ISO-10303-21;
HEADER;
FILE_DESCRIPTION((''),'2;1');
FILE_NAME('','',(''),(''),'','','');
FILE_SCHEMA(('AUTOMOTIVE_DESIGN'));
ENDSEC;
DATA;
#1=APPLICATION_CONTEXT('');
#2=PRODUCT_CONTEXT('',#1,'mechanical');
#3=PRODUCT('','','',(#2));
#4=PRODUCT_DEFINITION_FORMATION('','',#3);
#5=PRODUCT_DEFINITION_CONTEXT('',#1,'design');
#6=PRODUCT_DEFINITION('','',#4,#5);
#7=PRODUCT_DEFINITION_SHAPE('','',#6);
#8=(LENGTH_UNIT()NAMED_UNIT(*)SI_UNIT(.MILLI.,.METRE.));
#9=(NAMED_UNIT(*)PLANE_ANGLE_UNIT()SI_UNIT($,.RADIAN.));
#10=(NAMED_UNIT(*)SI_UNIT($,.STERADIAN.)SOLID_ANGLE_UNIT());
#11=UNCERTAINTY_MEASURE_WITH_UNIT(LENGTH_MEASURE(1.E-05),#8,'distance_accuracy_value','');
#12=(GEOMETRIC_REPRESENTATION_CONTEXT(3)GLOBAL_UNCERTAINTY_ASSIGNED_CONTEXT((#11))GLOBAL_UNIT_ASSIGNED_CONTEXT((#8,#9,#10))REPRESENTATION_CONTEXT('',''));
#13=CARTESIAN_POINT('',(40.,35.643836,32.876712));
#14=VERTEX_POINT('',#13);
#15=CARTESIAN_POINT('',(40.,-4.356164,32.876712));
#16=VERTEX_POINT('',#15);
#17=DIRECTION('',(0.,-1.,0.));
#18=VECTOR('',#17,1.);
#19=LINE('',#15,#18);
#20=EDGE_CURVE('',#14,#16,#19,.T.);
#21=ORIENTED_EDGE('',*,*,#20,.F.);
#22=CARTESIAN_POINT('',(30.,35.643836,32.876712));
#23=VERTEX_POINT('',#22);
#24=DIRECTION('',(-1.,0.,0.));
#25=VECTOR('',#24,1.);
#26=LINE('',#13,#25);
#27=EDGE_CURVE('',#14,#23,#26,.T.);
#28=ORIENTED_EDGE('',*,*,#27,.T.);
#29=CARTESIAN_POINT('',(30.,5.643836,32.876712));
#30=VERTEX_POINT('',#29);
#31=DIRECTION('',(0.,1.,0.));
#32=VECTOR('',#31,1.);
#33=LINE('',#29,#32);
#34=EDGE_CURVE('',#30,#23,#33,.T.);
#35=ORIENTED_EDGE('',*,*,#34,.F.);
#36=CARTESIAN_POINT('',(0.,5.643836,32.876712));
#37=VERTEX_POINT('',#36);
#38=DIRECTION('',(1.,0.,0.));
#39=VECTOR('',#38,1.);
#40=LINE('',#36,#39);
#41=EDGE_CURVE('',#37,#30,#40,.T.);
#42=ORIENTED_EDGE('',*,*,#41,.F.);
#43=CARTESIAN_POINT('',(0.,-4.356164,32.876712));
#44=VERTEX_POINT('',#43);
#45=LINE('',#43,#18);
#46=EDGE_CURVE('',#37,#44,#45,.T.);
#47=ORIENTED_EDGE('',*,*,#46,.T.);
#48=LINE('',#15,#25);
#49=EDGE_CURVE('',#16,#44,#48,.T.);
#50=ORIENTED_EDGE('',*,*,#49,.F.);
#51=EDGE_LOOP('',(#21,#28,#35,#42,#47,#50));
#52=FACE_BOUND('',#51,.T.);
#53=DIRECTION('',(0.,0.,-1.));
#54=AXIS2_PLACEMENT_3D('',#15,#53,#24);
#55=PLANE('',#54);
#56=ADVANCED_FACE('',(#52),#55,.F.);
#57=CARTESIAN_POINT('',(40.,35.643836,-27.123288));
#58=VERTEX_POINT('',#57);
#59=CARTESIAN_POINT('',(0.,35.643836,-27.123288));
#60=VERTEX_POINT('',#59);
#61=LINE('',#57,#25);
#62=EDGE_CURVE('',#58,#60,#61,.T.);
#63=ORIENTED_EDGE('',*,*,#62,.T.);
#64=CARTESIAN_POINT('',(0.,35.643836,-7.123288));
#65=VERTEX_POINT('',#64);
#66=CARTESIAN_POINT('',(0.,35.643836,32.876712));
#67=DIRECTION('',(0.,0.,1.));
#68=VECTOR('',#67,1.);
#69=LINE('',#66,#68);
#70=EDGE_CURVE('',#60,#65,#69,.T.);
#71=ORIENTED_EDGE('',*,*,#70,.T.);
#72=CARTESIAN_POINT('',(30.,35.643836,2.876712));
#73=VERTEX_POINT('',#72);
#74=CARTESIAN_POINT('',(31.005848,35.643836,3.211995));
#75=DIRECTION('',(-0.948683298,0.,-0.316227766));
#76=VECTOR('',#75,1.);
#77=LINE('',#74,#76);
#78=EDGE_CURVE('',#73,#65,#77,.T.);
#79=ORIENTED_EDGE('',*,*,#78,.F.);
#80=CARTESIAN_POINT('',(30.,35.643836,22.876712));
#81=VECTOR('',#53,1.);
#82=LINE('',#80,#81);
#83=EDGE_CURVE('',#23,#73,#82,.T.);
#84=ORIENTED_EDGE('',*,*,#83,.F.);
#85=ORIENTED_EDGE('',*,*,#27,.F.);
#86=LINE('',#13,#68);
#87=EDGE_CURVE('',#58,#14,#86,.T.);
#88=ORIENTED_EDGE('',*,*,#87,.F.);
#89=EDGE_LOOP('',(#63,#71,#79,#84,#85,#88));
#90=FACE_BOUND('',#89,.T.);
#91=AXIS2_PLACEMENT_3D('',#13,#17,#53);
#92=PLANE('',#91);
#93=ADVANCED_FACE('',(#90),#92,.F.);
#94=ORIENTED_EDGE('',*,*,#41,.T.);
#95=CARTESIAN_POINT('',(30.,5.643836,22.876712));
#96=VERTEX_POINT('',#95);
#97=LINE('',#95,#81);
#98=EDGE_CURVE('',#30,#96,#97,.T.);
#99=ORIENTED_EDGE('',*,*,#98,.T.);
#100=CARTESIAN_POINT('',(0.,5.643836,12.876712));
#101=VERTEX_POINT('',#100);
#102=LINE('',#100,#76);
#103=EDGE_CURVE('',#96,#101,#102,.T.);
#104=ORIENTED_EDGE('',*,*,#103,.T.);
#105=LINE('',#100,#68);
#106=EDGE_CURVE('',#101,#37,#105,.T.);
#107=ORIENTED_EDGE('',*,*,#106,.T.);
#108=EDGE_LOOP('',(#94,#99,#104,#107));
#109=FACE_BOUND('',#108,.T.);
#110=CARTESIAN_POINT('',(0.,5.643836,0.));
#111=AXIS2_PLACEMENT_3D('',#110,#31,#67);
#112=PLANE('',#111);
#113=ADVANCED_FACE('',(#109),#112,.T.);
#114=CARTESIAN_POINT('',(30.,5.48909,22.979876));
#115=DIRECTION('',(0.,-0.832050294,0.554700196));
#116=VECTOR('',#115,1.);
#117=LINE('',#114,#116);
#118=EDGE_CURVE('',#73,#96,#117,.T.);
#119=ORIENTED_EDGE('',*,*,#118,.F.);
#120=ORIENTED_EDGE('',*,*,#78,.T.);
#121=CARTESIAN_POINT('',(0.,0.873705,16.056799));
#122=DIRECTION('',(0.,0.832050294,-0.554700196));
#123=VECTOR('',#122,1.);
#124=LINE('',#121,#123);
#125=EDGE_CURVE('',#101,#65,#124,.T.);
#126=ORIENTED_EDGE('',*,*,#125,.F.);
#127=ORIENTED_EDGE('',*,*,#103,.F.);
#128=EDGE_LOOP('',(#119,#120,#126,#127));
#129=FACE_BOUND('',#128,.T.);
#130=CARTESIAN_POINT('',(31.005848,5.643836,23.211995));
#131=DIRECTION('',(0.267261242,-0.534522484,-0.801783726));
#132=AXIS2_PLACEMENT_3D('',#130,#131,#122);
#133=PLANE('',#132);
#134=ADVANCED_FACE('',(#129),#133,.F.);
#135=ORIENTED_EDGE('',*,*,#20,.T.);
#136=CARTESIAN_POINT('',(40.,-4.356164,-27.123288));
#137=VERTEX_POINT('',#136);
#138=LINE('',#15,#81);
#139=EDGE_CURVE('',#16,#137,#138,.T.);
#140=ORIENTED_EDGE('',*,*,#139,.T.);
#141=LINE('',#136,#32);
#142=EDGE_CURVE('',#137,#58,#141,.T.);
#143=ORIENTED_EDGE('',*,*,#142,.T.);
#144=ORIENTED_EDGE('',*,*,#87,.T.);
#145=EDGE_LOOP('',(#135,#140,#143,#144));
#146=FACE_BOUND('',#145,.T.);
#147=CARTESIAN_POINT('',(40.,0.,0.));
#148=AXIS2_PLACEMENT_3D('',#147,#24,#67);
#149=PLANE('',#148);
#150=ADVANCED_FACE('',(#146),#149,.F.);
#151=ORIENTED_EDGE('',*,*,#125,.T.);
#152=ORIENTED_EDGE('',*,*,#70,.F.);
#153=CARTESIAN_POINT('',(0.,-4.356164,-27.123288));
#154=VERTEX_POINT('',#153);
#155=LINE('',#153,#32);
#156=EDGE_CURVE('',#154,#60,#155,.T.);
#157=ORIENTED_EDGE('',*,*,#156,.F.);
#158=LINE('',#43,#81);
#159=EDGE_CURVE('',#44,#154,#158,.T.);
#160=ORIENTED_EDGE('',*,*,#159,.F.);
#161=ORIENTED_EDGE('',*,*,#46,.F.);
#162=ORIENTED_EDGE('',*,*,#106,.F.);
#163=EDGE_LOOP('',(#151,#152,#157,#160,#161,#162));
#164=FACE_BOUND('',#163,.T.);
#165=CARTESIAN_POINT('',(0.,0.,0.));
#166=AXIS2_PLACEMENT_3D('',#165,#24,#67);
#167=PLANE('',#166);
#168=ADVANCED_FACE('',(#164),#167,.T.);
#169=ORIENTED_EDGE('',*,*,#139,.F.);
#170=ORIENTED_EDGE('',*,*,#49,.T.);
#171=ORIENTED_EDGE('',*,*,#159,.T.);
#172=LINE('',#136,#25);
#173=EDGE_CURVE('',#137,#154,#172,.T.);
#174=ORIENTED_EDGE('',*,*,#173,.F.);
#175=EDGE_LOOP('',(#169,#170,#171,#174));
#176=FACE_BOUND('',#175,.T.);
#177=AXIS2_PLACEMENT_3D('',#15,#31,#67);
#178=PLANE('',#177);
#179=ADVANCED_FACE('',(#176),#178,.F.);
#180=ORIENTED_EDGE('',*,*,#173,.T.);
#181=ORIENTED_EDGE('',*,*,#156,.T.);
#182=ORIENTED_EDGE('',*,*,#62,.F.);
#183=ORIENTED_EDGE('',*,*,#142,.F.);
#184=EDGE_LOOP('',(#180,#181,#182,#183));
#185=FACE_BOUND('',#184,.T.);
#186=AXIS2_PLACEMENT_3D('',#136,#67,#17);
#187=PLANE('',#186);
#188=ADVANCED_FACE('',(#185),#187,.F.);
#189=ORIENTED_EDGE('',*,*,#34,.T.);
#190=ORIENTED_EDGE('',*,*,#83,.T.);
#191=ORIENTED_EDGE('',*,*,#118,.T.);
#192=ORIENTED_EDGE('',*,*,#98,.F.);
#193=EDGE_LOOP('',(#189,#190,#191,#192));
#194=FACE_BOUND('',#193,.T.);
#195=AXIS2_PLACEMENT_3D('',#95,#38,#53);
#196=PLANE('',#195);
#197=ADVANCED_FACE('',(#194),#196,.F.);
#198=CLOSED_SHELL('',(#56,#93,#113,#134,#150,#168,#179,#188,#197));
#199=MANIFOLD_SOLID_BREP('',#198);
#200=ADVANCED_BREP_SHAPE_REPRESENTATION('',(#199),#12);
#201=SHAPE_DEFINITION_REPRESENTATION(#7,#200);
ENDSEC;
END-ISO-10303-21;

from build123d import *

# Parameters (mm, degrees)
SKETCH_10_W         = 60
SKETCH_10_H         = 40
EXTRUDE_3_DEPTH     = 40
CUT_EXTRUDE_2_DEPTH = 30


with BuildPart() as part:
    # 草圖10 → 填料-伸長3 (new body)
    with BuildSketch(Plane(origin=(0, 0, 0), x_dir=(0, 0, -1), z_dir=(1, 0, 0))):
        with Locations((-2.876712329, 15.643835616)):
            Rectangle(SKETCH_10_W, SKETCH_10_H)
    extrude(amount=EXTRUDE_3_DEPTH)

    # 草圖11 → 除料-伸長2 (cut)
    with BuildSketch(Plane(origin=(0, 35.643835616, 0), x_dir=(1, 0, 0), z_dir=(0, 1, 0))):
        Polygon((0, -12.876712329), (30, -22.876712329), (30, -32.876712329), (0, -32.876712329), align=None)
    extrude(amount=-CUT_EXTRUDE_2_DEPTH, mode=Mode.SUBTRACT)

    # 除料-掃出1: sweep along a path in 草圖13
    with BuildLine(Plane(origin=(0, 5.643835616, 0), x_dir=(1, 0, 0), z_dir=(0, 1, 0))) as sweep_1_path:
        Line((30, -22.876712329), (0, -12.876712329))
    # 草圖12 → 除料-掃出1 (sweep, cut)
    with BuildSketch(Plane.ZY.offset(-30)):
        Polygon((22.876712329, 5.643835616), (2.876712329, 35.643835616), (32.876712329, 35.643835616), (32.876712329, 5.643835616), align=None)
    sweep(path=sweep_1_path.line, mode=Mode.SUBTRACT)


solid = part.part
